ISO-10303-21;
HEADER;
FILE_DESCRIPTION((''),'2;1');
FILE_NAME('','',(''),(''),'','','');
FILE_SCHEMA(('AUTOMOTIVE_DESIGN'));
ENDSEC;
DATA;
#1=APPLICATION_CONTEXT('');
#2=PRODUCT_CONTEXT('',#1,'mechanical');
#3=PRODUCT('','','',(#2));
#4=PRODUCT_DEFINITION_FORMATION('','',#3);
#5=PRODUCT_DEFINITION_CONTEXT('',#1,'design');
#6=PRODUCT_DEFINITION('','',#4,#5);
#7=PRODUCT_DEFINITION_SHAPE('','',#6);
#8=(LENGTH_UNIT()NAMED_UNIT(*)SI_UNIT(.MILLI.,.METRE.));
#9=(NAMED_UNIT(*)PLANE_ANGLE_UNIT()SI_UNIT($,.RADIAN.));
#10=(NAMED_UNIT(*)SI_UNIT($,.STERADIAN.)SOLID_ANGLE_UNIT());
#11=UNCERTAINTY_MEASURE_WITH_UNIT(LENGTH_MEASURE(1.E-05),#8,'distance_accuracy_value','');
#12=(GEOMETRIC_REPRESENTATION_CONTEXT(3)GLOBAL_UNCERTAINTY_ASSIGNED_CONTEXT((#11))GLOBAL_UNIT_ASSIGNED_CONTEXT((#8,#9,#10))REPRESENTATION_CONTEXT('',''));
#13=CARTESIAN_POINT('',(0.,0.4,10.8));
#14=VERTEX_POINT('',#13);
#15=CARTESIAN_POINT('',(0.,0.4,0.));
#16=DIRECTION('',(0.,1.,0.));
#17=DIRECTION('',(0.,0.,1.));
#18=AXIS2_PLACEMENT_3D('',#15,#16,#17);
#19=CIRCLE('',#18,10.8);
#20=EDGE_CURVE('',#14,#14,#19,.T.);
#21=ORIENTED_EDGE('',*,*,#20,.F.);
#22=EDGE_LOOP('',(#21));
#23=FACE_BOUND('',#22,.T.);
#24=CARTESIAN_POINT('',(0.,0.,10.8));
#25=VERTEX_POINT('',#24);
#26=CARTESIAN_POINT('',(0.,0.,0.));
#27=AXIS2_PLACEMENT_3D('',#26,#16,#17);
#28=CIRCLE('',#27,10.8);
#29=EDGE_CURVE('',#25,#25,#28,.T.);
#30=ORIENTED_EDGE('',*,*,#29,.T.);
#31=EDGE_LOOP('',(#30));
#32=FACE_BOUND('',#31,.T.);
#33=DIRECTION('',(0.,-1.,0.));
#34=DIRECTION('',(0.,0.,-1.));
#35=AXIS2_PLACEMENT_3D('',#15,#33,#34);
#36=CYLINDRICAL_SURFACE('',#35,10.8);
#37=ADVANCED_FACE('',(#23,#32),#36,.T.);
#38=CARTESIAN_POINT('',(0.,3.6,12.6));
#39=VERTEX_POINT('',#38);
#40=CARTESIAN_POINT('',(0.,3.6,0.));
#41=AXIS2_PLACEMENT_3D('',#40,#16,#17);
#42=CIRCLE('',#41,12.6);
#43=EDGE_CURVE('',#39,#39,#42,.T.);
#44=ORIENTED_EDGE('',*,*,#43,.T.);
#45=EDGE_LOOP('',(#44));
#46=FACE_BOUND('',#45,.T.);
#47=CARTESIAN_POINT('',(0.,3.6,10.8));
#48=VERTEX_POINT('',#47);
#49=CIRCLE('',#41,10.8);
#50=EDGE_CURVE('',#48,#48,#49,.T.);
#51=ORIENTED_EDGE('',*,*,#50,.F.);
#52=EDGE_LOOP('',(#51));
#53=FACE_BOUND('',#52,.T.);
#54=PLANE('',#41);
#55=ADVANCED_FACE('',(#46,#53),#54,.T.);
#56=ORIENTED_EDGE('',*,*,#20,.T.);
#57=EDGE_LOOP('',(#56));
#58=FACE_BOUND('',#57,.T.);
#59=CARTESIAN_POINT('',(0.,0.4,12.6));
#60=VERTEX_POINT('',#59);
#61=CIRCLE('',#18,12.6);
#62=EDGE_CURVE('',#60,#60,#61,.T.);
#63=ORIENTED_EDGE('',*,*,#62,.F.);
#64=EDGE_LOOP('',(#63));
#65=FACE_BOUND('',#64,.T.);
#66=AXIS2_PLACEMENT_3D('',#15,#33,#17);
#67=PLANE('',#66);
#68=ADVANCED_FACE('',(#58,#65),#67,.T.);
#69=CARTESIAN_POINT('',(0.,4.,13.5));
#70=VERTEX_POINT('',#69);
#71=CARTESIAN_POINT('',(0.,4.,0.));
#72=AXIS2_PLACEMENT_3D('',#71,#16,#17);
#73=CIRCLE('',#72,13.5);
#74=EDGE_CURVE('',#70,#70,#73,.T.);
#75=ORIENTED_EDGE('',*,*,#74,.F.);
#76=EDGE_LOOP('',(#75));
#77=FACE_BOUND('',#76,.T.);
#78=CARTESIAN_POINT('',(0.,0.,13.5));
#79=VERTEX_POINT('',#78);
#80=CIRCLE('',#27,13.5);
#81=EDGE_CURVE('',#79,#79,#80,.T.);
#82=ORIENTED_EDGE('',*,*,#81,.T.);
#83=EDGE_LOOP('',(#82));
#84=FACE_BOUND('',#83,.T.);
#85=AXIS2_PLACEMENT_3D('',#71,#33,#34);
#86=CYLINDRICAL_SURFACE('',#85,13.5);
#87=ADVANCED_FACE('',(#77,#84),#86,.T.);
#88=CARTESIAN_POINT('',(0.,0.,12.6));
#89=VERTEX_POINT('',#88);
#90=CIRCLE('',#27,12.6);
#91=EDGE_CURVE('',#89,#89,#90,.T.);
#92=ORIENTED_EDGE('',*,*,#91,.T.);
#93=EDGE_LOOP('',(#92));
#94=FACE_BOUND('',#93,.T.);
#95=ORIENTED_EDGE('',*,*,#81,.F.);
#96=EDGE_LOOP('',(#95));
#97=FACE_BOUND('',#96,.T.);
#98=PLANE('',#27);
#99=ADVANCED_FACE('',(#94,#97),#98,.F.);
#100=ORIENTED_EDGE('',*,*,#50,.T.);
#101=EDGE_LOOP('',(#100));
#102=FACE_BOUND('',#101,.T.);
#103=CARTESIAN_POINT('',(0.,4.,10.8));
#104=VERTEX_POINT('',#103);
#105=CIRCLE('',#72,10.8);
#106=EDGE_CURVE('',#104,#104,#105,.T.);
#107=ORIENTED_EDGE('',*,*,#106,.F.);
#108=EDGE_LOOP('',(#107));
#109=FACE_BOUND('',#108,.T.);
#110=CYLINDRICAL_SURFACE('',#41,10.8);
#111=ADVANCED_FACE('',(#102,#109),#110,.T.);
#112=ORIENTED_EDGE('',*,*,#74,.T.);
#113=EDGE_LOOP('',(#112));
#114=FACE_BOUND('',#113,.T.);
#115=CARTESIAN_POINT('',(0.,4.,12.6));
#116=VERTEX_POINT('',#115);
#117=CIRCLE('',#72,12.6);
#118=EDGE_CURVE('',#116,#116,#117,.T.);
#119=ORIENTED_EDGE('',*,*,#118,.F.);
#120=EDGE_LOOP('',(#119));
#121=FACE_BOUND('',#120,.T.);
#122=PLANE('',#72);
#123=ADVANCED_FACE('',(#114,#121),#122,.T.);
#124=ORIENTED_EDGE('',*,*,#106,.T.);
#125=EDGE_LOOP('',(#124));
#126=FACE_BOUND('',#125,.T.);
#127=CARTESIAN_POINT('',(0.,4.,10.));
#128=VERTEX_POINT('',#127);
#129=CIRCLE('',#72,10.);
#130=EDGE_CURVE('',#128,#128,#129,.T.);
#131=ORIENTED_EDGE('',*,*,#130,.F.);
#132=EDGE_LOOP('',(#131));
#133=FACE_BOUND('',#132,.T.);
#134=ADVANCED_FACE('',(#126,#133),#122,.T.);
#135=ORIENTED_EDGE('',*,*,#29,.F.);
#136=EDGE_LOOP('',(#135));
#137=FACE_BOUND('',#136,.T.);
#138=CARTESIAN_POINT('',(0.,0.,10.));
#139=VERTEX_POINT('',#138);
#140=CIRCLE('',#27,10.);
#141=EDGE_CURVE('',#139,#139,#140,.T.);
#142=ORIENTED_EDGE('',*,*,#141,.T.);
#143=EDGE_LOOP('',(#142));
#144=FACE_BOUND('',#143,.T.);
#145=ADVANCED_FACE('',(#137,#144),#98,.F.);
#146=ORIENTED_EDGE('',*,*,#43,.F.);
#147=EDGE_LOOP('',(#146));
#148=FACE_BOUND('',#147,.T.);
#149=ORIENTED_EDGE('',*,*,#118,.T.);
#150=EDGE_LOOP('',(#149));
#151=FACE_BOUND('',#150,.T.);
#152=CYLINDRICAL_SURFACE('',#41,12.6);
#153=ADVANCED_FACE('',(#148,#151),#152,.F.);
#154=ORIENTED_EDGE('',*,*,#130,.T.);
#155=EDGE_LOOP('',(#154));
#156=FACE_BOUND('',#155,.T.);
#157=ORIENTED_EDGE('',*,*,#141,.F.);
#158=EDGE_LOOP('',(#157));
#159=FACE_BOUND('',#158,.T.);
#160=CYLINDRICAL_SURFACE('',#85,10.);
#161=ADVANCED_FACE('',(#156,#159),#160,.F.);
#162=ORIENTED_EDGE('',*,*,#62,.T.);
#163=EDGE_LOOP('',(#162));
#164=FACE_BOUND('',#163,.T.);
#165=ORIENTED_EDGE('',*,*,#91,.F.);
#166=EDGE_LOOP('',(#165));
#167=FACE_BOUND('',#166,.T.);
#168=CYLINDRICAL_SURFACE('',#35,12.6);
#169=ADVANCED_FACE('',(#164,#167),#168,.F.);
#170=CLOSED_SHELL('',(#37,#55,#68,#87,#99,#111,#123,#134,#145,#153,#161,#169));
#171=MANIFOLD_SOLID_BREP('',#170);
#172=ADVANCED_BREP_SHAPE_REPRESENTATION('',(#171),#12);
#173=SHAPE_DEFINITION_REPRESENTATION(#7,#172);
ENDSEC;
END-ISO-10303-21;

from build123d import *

# Parameters (mm, degrees)
SKETCH1_R           = 13.5
SKETCH1_R_2         = 10
BOSS_EXTRUDE1_DEPTH = 4
SKETCH2_R           = 12.6
SKETCH2_R_2         = 10.8
CUT_EXTRUDE1_DEPTH  = 0.4


with BuildPart() as part:
    # Sketch1 → Boss-Extrude1 (new body)
    with BuildSketch(Plane(origin=(0, 0, 0), x_dir=(1, 0, 0), z_dir=(0, 1, 0))):
        with Locations(Location((0, 0, 0), (0, 0, 270))):
            Circle(SKETCH1_R)
        with Locations(Location((0, 0, 0), (0, 0, 270))):
            Circle(SKETCH1_R_2, mode=Mode.SUBTRACT)
    extrude(amount=BOSS_EXTRUDE1_DEPTH)

    # Sketch2 → Cut-Extrude1 (cut)
    with BuildSketch(Plane(origin=(0, 4, 0), x_dir=(1, 0, 0), z_dir=(0, 1, 0))):
        with Locations(Location((0, 0, 0), (0, 0, 270))):
            Circle(SKETCH2_R)
        with Locations(Location((0, 0, 0), (0, 0, 270))):
            Circle(SKETCH2_R_2, mode=Mode.SUBTRACT)
    cut_extrude1 = extrude(amount=-CUT_EXTRUDE1_DEPTH, mode=Mode.SUBTRACT)

    # Mirror1: Cut-Extrude1 across plane
    add(cut_extrude1.mirror(Plane.ZX.offset(2)), mode=Mode.SUBTRACT)


solid = part.part
